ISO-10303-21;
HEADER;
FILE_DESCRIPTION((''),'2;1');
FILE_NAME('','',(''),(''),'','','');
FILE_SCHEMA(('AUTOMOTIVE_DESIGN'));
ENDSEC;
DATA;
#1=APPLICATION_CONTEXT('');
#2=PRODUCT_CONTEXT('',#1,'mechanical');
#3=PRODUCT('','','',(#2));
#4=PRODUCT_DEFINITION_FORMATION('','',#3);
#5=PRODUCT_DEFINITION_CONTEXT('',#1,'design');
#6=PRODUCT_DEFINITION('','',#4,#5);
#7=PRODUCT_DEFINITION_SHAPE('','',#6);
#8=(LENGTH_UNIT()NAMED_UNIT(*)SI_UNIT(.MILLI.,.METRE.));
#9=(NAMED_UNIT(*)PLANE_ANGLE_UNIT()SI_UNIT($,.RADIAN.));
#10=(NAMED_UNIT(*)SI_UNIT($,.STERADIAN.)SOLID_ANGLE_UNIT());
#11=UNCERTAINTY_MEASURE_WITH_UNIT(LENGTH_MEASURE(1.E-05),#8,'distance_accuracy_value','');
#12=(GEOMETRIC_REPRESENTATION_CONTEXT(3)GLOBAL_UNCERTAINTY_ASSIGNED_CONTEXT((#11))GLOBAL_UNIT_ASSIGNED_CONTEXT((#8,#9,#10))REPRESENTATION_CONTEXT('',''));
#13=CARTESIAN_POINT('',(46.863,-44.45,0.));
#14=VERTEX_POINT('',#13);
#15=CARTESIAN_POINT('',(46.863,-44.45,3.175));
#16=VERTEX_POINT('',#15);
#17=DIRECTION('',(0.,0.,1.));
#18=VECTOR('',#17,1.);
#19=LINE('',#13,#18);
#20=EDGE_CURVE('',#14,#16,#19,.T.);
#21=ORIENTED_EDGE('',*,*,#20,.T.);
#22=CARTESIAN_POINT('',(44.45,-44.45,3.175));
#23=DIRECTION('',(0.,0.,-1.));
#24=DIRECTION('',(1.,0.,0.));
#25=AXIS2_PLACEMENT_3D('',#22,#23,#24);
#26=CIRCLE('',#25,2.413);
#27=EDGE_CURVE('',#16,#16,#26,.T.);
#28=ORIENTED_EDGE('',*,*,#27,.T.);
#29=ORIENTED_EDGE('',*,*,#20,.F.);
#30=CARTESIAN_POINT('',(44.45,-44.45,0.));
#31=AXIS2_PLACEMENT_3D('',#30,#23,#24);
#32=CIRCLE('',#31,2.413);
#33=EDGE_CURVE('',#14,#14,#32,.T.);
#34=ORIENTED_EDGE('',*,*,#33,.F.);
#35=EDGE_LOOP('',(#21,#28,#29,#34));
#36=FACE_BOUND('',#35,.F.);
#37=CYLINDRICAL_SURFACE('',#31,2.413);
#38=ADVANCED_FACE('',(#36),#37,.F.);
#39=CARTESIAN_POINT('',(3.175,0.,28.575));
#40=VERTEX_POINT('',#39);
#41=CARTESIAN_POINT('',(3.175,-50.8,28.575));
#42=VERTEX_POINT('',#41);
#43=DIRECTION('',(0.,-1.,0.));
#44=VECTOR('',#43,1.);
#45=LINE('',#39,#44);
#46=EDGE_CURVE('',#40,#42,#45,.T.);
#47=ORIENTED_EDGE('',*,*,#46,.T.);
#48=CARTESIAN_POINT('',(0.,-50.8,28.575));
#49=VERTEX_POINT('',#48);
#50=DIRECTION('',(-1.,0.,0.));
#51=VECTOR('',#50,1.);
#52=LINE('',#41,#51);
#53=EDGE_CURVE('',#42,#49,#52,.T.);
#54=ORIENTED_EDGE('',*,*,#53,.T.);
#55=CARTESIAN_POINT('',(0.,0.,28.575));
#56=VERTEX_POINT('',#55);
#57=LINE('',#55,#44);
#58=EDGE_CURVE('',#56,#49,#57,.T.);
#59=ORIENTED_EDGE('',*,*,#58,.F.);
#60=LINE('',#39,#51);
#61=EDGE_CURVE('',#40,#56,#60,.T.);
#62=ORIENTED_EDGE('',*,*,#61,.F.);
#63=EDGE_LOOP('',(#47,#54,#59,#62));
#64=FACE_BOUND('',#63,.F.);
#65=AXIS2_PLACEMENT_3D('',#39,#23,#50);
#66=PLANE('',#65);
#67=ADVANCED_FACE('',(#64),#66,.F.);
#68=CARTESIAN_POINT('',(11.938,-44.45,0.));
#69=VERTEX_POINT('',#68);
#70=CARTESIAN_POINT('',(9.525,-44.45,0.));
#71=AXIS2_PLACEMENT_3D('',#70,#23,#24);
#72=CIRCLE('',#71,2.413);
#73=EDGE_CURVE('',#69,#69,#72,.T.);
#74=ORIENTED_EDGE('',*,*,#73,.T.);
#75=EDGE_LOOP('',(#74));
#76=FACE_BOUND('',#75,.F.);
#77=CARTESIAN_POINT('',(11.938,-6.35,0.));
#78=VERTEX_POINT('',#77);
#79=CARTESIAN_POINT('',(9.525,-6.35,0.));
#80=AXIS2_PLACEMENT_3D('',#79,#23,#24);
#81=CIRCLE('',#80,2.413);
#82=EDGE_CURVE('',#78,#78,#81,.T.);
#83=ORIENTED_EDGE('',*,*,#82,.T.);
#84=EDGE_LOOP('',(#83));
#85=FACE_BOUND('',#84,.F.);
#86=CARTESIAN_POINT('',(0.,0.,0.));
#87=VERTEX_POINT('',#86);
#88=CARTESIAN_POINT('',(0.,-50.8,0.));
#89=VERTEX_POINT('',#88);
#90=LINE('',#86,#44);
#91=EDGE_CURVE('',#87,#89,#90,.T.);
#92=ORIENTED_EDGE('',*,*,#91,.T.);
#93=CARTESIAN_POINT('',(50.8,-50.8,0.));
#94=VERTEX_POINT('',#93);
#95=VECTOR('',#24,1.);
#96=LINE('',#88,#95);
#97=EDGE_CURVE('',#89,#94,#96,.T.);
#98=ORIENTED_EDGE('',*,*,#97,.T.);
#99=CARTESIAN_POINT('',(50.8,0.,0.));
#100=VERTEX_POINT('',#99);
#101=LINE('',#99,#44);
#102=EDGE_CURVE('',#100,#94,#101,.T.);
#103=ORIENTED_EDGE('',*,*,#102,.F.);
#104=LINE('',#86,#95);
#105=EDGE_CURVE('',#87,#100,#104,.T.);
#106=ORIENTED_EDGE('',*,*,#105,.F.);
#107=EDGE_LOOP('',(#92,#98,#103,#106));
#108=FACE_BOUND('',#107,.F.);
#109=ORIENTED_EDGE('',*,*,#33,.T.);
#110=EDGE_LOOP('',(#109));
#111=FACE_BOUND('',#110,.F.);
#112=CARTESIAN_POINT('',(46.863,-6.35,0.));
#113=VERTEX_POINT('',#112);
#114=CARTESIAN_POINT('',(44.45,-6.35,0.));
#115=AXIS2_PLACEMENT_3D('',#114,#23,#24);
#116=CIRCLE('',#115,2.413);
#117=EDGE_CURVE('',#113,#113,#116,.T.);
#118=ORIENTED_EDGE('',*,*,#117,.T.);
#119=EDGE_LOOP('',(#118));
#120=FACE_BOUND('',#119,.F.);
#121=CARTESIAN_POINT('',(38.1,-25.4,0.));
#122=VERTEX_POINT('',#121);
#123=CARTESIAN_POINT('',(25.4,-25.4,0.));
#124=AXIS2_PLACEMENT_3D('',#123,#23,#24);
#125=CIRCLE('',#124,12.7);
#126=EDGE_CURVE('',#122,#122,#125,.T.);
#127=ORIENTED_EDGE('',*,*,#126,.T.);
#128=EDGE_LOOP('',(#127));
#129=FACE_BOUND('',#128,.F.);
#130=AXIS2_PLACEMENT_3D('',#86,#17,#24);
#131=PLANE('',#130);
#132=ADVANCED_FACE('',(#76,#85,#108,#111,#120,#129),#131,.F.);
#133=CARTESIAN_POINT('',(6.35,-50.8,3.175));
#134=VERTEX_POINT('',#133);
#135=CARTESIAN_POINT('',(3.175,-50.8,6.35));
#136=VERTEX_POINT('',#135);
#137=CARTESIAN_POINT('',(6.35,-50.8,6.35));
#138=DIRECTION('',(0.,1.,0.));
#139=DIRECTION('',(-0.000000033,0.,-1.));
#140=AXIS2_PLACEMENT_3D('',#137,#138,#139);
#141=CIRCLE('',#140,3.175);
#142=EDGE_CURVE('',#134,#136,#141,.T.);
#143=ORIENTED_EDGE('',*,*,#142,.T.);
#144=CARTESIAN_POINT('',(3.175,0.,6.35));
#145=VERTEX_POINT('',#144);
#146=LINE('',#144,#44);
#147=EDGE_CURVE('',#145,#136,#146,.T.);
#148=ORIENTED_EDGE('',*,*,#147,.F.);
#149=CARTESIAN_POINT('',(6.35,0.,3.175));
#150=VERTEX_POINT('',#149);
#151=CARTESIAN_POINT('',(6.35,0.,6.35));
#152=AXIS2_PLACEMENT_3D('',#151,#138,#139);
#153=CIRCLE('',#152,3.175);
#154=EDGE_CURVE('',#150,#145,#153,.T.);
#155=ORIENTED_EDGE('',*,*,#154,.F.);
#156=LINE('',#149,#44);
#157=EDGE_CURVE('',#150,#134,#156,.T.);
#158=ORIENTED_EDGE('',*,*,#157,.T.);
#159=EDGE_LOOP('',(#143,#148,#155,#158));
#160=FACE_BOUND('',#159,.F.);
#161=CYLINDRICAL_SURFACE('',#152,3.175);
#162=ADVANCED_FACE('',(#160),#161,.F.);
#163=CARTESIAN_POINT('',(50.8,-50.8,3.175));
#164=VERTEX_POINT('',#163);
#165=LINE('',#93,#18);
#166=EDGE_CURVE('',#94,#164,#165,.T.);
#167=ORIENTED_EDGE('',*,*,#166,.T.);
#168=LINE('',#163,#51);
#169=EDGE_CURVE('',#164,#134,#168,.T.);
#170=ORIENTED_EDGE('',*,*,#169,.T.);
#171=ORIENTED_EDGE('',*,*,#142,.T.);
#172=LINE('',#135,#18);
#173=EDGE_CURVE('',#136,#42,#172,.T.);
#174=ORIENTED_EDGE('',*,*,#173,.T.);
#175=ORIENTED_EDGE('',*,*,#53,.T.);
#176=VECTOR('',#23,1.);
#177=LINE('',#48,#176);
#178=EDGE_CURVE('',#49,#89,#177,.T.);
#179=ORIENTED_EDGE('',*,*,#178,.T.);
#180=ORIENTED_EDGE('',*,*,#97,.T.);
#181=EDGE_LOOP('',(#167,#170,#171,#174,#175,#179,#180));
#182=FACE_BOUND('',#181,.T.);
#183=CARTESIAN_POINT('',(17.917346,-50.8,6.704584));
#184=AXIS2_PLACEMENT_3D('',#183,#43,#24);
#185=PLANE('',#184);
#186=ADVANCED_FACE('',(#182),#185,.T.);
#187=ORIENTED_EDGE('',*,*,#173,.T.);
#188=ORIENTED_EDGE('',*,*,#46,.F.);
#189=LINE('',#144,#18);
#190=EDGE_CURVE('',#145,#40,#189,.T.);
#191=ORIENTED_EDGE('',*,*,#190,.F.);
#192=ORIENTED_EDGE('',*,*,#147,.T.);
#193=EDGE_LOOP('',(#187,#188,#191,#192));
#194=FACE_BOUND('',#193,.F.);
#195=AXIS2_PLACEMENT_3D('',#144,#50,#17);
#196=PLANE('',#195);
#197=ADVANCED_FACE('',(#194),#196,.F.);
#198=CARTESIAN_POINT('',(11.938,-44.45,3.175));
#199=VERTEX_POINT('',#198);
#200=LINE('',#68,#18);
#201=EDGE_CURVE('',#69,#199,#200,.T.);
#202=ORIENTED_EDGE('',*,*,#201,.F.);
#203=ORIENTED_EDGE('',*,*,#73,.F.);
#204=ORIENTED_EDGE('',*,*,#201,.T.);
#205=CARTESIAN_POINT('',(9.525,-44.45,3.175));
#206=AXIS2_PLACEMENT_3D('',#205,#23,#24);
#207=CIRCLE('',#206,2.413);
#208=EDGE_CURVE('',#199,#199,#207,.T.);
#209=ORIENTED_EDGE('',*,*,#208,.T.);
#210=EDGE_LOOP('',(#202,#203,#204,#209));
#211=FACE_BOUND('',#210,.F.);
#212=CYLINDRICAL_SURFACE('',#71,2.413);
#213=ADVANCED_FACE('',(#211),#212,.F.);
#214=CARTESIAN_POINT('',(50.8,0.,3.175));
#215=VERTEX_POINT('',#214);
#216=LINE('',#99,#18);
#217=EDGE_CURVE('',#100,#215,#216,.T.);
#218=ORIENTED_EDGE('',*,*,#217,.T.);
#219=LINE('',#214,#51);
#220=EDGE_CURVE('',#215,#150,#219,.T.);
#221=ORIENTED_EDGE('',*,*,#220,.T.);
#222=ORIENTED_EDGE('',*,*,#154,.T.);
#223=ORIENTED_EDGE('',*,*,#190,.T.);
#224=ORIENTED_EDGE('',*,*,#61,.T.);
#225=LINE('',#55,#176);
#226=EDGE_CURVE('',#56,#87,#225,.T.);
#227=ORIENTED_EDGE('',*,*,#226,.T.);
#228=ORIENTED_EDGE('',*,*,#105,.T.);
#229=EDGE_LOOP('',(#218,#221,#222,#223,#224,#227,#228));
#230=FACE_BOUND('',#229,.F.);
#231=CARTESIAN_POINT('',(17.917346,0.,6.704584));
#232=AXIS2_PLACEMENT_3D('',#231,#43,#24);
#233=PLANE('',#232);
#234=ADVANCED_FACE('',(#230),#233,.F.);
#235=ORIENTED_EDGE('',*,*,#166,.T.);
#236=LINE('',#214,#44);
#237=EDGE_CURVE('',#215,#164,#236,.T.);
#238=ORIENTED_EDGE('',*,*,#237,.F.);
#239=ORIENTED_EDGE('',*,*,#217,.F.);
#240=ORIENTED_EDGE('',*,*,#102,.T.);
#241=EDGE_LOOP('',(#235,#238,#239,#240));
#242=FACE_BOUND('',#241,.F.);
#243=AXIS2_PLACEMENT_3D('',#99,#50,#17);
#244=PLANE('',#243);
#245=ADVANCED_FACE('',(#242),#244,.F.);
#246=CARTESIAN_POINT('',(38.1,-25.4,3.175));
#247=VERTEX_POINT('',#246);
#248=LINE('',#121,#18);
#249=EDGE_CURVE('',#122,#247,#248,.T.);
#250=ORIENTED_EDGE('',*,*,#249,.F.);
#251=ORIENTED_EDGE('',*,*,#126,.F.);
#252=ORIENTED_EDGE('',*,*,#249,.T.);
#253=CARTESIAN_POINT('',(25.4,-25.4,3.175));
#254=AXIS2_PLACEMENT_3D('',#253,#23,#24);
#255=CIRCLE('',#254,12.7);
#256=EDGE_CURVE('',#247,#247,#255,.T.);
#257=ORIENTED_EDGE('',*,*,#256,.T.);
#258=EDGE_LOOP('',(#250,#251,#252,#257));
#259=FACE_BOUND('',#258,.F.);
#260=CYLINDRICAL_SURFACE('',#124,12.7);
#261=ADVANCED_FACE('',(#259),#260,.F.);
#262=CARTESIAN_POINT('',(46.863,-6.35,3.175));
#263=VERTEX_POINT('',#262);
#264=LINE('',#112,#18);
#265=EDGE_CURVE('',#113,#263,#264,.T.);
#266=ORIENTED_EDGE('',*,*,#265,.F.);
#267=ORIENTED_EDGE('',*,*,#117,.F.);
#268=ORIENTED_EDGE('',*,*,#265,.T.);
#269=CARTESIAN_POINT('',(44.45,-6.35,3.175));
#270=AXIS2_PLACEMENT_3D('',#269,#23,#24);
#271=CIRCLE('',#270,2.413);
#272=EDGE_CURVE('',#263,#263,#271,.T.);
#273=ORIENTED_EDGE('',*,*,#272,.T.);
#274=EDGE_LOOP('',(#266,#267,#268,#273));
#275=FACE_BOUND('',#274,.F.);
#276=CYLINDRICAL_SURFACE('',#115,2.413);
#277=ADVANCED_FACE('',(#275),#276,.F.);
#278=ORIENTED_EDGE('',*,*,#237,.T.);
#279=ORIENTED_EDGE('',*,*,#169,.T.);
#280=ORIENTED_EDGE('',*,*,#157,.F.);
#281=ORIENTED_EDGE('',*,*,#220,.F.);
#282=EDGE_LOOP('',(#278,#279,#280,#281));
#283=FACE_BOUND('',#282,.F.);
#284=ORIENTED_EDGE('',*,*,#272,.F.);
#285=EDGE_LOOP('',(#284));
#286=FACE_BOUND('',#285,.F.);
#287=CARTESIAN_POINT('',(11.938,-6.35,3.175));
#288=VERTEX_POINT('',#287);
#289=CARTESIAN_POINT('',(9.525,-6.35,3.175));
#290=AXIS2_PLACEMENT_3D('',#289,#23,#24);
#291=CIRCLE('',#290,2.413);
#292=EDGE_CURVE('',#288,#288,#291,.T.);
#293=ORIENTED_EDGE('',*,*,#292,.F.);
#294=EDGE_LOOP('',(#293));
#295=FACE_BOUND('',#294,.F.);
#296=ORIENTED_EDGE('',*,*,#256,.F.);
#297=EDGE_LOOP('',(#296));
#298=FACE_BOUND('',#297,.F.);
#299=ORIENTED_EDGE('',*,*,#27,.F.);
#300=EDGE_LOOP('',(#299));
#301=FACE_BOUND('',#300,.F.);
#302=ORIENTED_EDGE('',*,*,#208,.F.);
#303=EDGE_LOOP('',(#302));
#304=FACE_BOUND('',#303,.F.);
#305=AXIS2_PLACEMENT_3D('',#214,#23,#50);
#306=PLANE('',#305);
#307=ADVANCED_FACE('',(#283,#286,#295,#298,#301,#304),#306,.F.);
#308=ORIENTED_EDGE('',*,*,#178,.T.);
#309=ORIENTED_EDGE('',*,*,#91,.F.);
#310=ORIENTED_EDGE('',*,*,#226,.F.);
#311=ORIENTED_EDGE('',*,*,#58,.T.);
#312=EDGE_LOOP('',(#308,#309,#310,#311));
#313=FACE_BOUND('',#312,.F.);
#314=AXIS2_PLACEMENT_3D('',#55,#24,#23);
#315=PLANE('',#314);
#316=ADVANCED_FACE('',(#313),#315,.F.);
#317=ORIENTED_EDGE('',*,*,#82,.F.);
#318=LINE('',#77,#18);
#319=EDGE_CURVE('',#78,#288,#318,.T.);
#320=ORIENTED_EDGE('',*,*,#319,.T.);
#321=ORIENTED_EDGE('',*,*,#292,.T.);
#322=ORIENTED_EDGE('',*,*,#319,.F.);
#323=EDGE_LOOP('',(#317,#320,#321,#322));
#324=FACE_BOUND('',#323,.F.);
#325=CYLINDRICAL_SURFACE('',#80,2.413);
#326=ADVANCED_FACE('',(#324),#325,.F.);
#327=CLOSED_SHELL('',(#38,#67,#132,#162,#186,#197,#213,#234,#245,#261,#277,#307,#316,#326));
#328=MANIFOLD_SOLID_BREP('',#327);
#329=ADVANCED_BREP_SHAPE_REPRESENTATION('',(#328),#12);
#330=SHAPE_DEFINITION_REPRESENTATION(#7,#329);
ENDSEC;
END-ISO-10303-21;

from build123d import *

# Parameters (mm, degrees)
F1_DEPTH = 50.8
F2_R     = 2.413
F2_R_2   = 12.7
F3_DEPTH = 3.175


with BuildPart() as f1:
    # F0 (on Front) → F1 (new body)
    with BuildSketch(Plane.XZ):
        with BuildLine():
            Line((0, 28.575), (0, 0))
            Line((0, 0), (50.8, 0))
            Line((50.8, 0), (50.8, 3.175))
            Line((50.8, 3.175), (6.35, 3.175))
            ThreePointArc((6.35, 3.175), (4.104936, 4.104936), (3.175, 6.35))
            Line((3.175, 6.35), (3.175, 28.575))
            Line((3.175, 28.575), (0, 28.575))
        make_face()
    extrude(amount=F1_DEPTH)

    # F2 (on face) → F3 (cut, through all)
    with BuildSketch(Plane(origin=(0, 0, 0), x_dir=(1, 0, 0), z_dir=(0, 0, -1))):
        with Locations((44.45, 44.45)):
            Circle(F2_R)
        with Locations((44.45, 6.35)):
            Circle(F2_R)
        with Locations((25.4, 25.4)):
            Circle(F2_R_2)
        with Locations((9.525, 6.35)):
            Circle(F2_R)
        with Locations((9.525, 44.45)):
            Circle(F2_R)
    extrude(amount=-F3_DEPTH, mode=Mode.SUBTRACT)


solid = f1.part
